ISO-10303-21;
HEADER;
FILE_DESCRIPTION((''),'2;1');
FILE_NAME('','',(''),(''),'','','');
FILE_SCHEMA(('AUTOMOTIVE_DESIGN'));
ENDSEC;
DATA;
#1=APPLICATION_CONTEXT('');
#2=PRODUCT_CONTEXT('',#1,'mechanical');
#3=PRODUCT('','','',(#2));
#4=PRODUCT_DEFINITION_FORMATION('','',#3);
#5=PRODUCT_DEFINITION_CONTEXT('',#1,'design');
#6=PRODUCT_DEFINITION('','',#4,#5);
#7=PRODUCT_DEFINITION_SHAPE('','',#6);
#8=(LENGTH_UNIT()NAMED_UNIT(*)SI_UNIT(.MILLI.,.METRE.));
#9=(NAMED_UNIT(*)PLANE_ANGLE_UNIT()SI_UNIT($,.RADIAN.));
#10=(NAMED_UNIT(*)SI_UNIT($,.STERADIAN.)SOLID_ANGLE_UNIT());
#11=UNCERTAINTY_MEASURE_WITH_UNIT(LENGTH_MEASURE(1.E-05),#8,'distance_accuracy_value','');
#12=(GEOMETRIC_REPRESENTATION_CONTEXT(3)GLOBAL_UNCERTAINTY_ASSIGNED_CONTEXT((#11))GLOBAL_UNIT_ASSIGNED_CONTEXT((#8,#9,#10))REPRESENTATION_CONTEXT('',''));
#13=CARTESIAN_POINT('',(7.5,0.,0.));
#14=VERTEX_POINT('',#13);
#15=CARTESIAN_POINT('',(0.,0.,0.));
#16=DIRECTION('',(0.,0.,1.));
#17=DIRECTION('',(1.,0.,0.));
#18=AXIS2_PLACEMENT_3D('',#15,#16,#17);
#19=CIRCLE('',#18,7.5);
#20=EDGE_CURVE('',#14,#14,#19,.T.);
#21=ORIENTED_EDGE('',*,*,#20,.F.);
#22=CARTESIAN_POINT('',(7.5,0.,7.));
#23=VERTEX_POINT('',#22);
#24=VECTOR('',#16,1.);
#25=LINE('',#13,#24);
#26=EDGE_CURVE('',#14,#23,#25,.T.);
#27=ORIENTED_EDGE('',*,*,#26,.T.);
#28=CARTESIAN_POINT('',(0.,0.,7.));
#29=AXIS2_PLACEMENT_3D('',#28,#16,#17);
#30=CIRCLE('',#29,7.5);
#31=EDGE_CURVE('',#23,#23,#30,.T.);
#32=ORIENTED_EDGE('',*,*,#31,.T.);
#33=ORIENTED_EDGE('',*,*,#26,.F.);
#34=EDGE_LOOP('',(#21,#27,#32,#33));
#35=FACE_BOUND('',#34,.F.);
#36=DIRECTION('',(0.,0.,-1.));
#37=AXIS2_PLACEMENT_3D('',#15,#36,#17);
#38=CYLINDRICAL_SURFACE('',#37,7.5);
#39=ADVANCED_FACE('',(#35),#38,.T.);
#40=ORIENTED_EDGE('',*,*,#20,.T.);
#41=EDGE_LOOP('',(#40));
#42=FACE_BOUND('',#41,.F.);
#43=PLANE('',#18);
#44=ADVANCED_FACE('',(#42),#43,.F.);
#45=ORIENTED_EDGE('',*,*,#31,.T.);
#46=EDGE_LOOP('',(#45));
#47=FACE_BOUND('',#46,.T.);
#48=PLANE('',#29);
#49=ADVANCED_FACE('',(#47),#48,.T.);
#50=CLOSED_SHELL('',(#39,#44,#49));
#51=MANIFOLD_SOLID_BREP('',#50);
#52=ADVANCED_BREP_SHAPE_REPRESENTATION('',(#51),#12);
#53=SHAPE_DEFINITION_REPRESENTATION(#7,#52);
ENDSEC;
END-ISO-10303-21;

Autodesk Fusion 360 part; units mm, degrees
sketch "Sketch1" plane through (0, 0, 0) normal (0, 0, 1) x (1, 0, 0)
  circle A0 centre (0, 0) radius 7.5
  dimension "d1" = 15
extrude "Extrude1" add sketch "Sketch1" along normal blind 7
